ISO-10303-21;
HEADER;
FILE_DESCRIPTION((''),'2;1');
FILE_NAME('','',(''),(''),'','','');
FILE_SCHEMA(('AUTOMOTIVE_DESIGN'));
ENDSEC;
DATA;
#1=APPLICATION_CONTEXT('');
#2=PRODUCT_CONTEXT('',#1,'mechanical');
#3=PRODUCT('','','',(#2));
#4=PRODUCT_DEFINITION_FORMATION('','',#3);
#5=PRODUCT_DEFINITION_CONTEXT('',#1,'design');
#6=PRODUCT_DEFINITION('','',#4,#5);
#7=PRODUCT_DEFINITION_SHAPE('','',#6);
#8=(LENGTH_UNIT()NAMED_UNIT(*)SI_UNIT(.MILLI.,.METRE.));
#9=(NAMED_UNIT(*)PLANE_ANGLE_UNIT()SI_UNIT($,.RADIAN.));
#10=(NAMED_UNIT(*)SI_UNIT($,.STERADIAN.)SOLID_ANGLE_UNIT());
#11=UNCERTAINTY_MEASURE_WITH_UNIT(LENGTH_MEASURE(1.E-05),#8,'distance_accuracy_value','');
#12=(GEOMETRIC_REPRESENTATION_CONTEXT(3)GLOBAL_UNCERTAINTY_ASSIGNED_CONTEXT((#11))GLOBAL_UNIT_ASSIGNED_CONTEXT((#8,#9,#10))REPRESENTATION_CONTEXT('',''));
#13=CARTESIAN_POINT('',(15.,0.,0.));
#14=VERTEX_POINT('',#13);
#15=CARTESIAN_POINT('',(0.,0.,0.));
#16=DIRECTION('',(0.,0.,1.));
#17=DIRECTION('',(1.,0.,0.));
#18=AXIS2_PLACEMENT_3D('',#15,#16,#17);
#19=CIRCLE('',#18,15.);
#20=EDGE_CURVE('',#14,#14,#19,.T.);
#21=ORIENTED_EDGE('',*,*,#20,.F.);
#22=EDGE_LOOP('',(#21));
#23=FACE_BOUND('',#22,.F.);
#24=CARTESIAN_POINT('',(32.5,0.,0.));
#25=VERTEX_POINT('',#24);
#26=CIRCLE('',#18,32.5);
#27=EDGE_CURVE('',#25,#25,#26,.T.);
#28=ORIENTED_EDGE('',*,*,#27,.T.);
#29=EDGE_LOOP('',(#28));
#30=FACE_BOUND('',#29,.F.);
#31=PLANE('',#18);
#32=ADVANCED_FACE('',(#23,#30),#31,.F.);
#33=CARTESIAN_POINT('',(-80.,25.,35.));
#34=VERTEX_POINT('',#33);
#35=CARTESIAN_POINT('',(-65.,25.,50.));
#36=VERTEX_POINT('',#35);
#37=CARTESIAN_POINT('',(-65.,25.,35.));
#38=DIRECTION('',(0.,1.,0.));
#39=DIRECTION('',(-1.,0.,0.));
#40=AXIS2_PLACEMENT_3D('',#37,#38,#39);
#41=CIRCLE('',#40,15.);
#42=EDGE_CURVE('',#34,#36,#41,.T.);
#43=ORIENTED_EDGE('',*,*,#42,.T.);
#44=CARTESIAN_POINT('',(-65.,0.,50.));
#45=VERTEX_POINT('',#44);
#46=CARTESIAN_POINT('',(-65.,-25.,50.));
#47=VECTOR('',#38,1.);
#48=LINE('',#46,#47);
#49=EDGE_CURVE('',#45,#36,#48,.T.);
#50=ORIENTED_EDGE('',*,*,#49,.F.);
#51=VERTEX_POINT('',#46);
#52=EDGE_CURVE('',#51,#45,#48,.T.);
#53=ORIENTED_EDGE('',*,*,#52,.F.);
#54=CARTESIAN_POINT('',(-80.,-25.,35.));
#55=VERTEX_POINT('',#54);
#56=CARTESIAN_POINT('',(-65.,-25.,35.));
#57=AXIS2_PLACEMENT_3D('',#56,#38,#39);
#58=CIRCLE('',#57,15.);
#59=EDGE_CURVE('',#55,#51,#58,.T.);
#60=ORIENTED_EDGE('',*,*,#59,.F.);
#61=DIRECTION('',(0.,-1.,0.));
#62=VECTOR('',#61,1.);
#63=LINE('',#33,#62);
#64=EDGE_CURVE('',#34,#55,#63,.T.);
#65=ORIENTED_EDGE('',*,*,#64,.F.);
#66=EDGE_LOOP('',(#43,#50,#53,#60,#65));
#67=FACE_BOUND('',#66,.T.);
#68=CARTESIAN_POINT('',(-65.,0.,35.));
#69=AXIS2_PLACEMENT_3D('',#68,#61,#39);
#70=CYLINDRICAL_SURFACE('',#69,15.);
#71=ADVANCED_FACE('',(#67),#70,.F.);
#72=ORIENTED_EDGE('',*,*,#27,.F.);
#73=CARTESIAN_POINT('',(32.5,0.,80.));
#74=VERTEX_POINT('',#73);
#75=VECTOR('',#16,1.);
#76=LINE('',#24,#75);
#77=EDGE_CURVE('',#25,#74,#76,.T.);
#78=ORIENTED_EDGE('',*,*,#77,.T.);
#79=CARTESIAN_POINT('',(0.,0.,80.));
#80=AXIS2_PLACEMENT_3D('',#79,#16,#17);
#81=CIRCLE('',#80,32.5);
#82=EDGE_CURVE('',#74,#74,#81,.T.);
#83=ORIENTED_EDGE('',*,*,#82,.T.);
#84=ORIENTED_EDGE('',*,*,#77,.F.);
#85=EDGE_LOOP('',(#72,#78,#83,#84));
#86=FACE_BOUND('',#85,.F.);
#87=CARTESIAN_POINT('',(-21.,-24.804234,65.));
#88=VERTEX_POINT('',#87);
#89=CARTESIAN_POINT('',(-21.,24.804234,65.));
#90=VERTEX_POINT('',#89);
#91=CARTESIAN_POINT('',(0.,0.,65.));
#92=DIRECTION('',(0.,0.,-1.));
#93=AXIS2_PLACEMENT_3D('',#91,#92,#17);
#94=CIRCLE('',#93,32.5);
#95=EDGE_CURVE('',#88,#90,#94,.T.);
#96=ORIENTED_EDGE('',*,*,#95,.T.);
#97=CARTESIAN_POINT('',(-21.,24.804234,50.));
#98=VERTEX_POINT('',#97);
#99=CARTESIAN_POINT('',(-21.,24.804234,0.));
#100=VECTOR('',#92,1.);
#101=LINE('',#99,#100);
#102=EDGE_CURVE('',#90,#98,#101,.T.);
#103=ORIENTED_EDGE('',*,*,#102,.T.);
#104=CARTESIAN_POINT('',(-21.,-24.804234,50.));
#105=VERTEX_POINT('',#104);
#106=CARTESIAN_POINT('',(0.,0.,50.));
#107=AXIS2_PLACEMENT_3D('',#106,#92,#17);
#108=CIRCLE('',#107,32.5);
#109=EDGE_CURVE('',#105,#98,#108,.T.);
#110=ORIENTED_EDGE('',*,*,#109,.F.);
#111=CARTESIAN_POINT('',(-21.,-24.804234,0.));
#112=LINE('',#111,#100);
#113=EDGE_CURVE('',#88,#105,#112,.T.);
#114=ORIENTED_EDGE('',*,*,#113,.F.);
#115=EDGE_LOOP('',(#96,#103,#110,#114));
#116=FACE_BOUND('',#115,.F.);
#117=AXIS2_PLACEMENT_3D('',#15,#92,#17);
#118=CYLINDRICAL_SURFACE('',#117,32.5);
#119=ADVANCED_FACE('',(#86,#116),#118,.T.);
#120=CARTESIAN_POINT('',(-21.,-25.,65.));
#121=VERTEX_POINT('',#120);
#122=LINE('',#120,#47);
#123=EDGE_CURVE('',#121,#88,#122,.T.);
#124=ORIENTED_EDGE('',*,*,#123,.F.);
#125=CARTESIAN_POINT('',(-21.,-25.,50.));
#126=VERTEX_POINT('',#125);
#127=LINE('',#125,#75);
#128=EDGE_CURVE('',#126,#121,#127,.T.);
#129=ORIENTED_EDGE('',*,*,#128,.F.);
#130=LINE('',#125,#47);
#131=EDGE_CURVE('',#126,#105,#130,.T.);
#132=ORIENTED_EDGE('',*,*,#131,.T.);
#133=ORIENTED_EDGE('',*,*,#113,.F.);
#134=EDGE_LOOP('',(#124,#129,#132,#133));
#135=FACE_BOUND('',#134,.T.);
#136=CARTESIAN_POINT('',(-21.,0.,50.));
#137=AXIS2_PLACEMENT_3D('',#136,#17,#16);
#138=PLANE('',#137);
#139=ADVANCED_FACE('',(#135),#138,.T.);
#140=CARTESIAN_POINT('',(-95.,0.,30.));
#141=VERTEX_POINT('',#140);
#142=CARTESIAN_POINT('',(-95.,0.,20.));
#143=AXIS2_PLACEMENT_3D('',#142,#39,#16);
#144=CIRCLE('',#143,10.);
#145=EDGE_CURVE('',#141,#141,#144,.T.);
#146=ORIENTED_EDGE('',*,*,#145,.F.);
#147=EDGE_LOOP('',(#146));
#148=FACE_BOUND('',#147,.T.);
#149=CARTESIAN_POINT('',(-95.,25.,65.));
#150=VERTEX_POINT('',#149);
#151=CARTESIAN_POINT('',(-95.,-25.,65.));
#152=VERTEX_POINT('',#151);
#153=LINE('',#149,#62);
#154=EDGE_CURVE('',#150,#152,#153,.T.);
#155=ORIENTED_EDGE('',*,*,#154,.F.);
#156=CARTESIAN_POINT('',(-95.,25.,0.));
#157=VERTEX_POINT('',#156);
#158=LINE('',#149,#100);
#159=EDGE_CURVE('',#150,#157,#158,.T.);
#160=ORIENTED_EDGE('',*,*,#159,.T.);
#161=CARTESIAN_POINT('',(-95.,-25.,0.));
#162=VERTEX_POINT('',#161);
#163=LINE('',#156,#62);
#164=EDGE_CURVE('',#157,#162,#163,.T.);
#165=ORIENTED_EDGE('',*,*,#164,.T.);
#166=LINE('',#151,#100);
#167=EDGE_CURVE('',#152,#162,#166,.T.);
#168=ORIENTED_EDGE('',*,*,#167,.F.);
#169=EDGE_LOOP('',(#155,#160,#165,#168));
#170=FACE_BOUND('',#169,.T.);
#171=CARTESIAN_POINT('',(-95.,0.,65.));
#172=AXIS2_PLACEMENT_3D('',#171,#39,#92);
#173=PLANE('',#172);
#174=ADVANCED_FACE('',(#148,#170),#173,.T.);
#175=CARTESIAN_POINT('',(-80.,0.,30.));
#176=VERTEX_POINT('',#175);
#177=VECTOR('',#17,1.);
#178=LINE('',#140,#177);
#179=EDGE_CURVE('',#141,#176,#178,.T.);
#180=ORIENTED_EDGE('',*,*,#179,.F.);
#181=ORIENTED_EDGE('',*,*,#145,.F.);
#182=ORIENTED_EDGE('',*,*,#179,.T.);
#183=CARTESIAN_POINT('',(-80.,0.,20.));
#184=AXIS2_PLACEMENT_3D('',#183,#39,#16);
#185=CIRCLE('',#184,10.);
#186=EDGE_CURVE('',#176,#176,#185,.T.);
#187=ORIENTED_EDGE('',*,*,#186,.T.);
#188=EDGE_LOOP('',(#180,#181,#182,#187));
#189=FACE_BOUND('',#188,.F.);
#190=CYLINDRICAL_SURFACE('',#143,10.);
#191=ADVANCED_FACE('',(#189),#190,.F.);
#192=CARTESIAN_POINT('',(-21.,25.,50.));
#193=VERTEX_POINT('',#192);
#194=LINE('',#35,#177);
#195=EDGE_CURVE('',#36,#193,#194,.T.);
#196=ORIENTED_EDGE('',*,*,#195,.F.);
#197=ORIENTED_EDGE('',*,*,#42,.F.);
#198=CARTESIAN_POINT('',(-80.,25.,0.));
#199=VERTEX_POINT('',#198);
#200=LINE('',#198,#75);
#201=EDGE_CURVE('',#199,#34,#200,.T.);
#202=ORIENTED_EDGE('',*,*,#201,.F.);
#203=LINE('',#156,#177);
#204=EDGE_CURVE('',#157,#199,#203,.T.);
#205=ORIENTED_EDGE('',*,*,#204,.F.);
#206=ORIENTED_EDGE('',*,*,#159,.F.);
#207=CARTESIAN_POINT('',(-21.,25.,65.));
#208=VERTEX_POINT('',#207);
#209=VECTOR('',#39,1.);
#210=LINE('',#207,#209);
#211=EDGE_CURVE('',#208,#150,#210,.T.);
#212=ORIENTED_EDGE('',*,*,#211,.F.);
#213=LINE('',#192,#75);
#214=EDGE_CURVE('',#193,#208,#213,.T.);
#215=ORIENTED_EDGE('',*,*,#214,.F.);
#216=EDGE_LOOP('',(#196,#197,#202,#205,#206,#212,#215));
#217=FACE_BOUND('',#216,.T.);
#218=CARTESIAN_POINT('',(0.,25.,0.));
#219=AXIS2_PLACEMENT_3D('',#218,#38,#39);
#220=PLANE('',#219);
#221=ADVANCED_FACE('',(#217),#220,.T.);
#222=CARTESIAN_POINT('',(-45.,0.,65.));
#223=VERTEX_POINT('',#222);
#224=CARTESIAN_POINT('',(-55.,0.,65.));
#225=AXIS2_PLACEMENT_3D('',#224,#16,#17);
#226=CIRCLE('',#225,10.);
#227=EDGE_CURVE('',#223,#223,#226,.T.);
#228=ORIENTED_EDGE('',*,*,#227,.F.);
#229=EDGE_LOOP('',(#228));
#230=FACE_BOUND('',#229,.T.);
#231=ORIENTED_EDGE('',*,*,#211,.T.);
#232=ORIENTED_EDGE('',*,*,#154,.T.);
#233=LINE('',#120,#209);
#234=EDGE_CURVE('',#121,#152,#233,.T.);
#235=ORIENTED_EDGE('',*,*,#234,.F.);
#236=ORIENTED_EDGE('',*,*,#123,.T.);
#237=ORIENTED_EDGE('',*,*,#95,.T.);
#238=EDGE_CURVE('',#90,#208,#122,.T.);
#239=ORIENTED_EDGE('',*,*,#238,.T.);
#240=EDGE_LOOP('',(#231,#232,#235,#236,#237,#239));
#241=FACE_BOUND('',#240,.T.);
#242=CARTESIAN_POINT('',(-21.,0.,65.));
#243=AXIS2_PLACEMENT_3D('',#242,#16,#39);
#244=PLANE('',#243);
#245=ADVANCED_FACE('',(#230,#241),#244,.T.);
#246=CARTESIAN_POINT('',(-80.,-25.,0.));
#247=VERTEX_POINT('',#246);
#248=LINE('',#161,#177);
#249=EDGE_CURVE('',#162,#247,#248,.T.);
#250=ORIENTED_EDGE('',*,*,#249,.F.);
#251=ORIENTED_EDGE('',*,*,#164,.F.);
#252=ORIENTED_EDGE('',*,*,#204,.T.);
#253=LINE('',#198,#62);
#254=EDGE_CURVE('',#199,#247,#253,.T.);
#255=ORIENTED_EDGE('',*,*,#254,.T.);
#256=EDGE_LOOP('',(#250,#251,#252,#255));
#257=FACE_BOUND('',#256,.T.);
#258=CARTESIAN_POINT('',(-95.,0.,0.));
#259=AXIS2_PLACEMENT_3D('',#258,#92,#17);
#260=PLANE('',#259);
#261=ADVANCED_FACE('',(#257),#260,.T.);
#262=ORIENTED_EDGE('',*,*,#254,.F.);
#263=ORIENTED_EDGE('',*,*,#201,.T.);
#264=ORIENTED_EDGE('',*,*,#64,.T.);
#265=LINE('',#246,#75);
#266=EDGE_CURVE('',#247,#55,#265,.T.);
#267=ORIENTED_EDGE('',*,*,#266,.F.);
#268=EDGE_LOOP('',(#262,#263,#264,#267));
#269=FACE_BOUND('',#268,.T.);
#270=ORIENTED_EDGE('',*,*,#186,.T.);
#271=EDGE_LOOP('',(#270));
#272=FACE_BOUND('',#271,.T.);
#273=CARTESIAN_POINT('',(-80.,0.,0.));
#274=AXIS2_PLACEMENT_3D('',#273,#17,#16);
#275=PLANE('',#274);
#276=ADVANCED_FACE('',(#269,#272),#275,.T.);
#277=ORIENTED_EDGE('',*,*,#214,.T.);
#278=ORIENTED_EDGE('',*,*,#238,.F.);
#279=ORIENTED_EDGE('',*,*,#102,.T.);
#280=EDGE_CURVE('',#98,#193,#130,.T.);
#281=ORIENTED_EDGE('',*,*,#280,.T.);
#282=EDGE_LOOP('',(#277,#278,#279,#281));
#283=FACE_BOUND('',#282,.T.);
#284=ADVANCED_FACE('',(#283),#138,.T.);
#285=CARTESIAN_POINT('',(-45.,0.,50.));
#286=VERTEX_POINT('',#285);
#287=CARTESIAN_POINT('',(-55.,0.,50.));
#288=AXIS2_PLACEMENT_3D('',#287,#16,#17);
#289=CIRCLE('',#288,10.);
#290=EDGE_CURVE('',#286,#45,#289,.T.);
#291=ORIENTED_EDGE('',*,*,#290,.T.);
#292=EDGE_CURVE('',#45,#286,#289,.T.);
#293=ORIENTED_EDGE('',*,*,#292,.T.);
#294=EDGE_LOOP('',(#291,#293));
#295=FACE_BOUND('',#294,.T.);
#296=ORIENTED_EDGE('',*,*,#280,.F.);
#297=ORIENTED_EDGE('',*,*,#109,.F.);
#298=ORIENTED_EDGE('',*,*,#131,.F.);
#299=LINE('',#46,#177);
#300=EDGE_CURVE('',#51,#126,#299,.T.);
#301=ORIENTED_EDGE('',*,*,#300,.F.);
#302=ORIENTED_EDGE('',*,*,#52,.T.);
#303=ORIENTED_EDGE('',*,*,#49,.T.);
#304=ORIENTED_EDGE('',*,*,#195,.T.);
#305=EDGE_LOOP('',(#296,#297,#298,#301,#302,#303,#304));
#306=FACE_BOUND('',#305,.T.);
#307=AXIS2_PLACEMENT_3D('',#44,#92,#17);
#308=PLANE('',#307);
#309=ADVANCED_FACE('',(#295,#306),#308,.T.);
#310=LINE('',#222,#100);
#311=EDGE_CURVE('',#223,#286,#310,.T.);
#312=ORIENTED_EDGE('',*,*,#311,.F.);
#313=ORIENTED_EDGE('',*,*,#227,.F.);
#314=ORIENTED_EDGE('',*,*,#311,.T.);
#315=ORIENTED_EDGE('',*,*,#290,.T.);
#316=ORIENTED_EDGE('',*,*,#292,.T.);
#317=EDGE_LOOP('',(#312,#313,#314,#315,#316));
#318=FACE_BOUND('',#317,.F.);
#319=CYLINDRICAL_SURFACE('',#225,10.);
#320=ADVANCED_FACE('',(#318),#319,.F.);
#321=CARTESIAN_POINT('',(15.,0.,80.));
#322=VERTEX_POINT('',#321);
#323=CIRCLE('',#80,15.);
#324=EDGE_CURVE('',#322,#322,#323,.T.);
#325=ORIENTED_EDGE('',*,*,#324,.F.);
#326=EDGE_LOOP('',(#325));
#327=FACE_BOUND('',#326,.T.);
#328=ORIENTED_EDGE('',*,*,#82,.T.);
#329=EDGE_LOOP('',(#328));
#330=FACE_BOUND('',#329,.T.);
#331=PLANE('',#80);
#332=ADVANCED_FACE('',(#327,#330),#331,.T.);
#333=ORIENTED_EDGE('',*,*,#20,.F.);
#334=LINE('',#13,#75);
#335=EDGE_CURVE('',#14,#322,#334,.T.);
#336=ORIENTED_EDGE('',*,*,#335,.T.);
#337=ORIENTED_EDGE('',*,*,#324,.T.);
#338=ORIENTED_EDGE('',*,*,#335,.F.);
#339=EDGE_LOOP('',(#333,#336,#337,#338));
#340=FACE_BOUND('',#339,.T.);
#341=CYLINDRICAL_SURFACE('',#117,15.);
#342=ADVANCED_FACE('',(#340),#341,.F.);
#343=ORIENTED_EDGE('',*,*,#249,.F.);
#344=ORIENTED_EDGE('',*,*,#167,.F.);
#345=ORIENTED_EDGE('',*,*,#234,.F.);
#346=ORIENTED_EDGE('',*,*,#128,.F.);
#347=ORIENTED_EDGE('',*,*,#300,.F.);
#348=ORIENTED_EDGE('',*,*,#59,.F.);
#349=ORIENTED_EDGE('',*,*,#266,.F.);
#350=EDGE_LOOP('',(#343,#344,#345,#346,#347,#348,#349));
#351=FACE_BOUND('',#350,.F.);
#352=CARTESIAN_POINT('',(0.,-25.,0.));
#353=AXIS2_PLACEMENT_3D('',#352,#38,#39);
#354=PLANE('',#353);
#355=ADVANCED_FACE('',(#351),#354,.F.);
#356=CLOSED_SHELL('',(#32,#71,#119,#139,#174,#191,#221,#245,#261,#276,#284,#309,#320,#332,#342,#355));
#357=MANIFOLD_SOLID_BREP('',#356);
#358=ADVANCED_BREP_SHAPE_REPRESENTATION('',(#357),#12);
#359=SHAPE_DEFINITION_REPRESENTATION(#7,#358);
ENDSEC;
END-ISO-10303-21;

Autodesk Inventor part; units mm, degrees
ref_plane "YZ Plane" through (0, 0, 0) normal (1, 0, 0) x (0, 1, 0)
sketch "Szkic1" plane through (0, 0, 0) normal (0, 0, 1) x (1, 0, 0)
  circle A0 centre (0, 0) radius 15
  circle A1 centre (0, 0) radius 32.5
  dimension "d0" = 65
  dimension "d1" = 30
extrude "Wyciągnięcie proste1" add sketch "Szkic1" along normal blind 80
sketch "Szkic2" plane through (0, 0, 0) normal (0, 1, 0) x (-1, 0, 0)
  point P0 (0, 0)
ref_plane "Płaszczyzna konstrukcyjna2" through (0, 32.5, 0) normal (0, 1, 0) x (-1, 0, 0)
sketch "Szkic3" plane through (0, 32.5, 0) normal (0, 1, 0) x (-1, 0, 0)
  line L0 (32.5, 80) -> (-32.5, 80) projected
  line L1 (32.5, 0) -> (-32.5, 0) projected
  line L2 (32.5, 0) -> (32.5, 80) projected
  line L3 (32.5, 0) -> (-32.5, 0) projected
  line L4 (-32.5, 0) -> (-32.5, 80) projected
  line L5 (21, 65) -> (95, 65)
  line L6 (95, 65) -> (95, 0)
  line L7 (95, 0) -> (80, 0)
  line L8 (80, 0) -> (80, 35)
  line L9 (65, 50) -> (21, 50)
  line L10 (21, 50) -> (21, 65)
  arc A0 (80, 35) -> (65, 50) centre (65, 35) ccw
  line L11 (0, 80) -> (0, 0) construction
  dimension "d4" = 15
  dimension "d8" = 15
  dimension "d10" = 65
  dimension "d11" = 65
  dimension "d12" = 95
  dimension "d15" = 15
ref_plane "Płaszczyzna konstrukcyjna3" through (0, 16.25, 0) normal (0, 1, 0) x (-1, 0, 0)
sketch "Szkic4" plane through (0, 0, 0) normal (0, 1, 0) x (-1, 0, 0)
  line L0 (21, 65) -> (95, 65) projected
  line L1 (21, 50) -> (21, 65) projected
  line L2 (65, 50) -> (21, 50) projected
  arc A0 (80, 35) -> (65, 50) centre (65, 35) ccw projected
  line L3 (80, 0) -> (80, 35) projected
  line L4 (95, 65) -> (95, 0) projected
  line L5 (95, 0) -> (80, 0) projected
  point P0 (0, 0)
extrude "Wyciągnięcie proste2" add sketch "Szkic4" along normal mid plane 50
sketch "Szkic5" plane through (-95, -25, 65) normal (-1, 0, 0) x (0, 0, 1)
  circle A0 centre (-45, 25) radius 10
  line L0 (-65, 0) -> (-65, 50) projected
  point P0 (-65, 25)
  dimension "d16" = 20
  dimension "d17" = 20
extrude "Wyciągnięcie proste3" cut sketch "Szkic5" against normal blind 50
sketch "Szkic6" plane through (-95, 25, 65) normal (0, 0, 1) x (1, 0, 0)
  circle A0 centre (40, -25) radius 10
  point P0 (95, -25)
  dimension "d20" = 20
  dimension "d21" = 55
extrude "Wyciągnięcie proste4" cut sketch "Szkic6" against normal blind 50
properties part number "Bartosz_Zukowski_model_nr_10"
